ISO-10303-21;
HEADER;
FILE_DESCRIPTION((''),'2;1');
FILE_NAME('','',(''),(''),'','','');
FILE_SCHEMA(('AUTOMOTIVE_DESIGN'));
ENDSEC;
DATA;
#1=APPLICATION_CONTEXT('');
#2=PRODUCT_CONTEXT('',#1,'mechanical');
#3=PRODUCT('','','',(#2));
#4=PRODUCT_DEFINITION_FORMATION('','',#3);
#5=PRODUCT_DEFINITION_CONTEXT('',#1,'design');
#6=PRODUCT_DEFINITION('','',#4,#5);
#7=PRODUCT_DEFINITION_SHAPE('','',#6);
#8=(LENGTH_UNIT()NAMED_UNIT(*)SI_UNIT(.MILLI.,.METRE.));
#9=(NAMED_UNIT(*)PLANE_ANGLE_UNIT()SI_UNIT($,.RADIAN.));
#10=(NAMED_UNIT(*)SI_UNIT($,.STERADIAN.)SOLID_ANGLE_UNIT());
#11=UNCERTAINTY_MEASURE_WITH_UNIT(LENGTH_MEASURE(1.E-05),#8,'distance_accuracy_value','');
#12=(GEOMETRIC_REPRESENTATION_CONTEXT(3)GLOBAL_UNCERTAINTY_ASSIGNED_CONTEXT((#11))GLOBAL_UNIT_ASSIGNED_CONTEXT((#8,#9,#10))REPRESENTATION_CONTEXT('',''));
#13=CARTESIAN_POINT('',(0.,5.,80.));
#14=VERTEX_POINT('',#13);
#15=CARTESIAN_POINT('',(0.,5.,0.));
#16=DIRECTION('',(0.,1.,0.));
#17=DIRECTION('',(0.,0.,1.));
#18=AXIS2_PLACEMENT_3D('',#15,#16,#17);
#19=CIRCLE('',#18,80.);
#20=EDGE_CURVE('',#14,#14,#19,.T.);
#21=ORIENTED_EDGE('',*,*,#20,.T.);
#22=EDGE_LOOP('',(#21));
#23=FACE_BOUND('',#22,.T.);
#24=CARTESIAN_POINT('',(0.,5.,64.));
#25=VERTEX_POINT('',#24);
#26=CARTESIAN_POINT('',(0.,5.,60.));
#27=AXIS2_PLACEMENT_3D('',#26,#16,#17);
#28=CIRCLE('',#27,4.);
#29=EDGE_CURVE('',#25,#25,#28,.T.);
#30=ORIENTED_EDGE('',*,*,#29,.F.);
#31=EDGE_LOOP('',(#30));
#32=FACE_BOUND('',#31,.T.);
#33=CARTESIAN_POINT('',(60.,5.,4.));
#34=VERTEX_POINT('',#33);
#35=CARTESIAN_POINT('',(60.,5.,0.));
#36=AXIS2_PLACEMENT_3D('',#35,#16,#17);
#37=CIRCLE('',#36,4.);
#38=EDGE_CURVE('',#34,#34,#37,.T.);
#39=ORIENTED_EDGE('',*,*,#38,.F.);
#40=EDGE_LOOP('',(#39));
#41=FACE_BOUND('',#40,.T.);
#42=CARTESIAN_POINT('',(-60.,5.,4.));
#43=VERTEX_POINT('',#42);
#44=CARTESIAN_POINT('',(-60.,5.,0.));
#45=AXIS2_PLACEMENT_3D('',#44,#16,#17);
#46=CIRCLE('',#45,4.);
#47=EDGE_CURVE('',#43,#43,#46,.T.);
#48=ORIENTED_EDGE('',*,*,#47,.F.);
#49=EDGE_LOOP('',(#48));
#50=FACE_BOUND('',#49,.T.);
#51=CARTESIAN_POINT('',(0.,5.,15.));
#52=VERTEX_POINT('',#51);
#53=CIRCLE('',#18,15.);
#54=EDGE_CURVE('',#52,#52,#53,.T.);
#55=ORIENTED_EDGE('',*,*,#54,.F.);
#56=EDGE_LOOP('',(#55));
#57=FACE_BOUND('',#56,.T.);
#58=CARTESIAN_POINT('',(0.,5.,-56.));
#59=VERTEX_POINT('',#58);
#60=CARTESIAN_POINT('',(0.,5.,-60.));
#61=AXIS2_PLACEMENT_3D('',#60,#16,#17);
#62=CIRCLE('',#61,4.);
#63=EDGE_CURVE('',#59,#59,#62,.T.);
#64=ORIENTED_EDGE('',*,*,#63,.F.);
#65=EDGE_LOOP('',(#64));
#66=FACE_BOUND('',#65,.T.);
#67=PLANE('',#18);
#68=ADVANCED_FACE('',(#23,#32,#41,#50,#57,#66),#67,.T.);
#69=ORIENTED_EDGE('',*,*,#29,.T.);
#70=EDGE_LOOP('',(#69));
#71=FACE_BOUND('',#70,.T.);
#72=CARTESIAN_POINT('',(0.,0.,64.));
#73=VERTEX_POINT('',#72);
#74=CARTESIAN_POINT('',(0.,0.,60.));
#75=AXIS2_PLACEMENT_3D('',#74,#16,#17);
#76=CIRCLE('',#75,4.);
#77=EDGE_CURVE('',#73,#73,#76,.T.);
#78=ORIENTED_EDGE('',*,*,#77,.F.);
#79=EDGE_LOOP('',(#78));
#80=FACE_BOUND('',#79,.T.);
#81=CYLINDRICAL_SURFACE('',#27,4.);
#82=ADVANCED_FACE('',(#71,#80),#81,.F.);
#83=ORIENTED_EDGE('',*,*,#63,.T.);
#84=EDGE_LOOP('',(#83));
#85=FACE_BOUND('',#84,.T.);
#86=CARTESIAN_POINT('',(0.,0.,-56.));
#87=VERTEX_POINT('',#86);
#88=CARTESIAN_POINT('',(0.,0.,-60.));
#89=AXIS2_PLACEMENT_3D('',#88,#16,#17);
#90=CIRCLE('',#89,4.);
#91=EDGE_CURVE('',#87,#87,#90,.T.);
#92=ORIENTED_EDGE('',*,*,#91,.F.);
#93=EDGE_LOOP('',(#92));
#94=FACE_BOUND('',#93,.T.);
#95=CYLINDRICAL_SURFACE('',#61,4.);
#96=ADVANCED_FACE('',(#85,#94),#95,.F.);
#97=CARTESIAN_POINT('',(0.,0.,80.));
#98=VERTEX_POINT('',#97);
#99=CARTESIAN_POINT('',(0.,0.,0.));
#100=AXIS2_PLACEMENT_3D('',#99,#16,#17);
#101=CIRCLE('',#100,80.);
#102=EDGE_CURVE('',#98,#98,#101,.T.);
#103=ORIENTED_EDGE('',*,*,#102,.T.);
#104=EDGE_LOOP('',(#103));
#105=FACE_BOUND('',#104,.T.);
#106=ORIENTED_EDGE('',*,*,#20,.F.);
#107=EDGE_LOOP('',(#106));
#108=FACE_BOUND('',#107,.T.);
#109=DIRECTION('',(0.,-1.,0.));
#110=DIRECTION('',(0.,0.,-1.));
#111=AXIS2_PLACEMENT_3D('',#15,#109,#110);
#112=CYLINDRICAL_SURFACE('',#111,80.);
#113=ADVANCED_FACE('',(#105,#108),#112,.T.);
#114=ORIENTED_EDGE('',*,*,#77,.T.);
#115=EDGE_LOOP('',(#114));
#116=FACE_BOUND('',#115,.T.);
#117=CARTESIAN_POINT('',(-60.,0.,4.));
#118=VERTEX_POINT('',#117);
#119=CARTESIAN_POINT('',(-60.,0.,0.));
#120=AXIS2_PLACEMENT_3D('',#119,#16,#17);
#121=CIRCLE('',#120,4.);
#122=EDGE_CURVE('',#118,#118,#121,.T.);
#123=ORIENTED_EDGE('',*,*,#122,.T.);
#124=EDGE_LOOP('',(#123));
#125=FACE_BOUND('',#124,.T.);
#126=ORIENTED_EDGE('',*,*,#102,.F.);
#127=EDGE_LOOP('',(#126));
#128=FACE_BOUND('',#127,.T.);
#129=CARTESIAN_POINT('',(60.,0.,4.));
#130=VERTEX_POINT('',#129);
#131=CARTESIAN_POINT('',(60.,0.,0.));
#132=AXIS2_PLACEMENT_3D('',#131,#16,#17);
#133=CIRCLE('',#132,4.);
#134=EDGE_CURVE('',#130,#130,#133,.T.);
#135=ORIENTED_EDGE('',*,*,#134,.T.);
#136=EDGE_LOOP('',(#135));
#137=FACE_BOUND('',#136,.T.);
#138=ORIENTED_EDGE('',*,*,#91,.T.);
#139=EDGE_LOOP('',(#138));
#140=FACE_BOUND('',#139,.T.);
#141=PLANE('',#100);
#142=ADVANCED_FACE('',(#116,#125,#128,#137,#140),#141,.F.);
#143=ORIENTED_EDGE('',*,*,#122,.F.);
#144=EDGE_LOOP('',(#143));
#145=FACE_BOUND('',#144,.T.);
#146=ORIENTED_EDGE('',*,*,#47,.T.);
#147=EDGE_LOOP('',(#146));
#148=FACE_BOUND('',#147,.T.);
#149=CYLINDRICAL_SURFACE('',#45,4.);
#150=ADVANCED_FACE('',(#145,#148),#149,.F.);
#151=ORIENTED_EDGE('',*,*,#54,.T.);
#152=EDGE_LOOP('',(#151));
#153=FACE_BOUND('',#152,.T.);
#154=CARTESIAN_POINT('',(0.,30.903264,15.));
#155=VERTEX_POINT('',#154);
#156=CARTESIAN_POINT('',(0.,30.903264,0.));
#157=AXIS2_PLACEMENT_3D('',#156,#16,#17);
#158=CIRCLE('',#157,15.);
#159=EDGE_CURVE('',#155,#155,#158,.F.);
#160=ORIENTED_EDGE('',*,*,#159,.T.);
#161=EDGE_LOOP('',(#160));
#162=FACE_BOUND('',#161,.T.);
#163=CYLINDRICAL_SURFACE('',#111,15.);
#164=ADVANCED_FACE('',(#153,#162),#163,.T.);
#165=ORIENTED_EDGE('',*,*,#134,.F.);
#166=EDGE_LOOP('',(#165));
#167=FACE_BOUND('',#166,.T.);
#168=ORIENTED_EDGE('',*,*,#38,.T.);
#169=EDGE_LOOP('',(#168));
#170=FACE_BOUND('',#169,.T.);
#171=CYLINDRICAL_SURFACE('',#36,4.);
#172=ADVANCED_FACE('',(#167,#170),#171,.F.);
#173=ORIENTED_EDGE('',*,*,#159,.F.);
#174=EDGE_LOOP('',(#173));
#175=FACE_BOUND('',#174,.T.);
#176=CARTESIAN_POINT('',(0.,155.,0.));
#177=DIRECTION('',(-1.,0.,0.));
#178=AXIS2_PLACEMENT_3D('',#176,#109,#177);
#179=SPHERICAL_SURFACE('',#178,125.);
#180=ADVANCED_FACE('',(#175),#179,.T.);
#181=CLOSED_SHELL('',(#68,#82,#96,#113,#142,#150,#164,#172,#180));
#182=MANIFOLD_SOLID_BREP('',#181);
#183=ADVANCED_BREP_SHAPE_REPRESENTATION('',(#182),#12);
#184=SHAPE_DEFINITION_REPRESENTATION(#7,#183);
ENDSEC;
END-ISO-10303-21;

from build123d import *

# Parameters (mm, degrees)
SKETCH_1_R      = 80
EXTRUDE_1_DEPTH = 5
MM_1_D          = 8
MM_1_DEPTH      = 20
MM_1_TIP        = 2.403442476
SKETCH_4_W      = 15
SKETCH_4_H      = 30


with BuildPart() as part:
    # 草图1 → 凸台-拉伸1 (new body)
    with BuildSketch(Plane(origin=(0, 0, 0), x_dir=(1, 0, 0), z_dir=(0, 1, 0))):
        with Locations(Location((0, 0, 0), (0, 0, 270))):
            Circle(SKETCH_1_R)
    extrude(amount=EXTRUDE_1_DEPTH)

    # 大小mm 暗销孔1
    with Locations(Plane(origin=(0, 5, -60), x_dir=(0, 0, 1), z_dir=(0, 1, 0))):
        with Locations((0, 0), (60, -60), (60, 60), (120, 0)):
            Hole(MM_1_D / 2, depth=MM_1_DEPTH)
            with Locations((0, 0, -(MM_1_DEPTH + MM_1_TIP / 2))):  # 118° drill point
                Cone(0, MM_1_D / 2, MM_1_TIP, mode=Mode.SUBTRACT)

    # 草图4 → 旋转1 (revolve)
    with BuildSketch(Plane.XY, mode=Mode.PRIVATE) as revolve_1_sk:
        with Locations((7.5, 20)):
            Rectangle(SKETCH_4_W, SKETCH_4_H)
    revolve(revolve_1_sk.sketch.rotate(Axis((0, 5, 0), (0, 1, 0)), 90), axis=Axis((0, 5, 0), (0, 1, 0)))

    # 草图5 → 旋转2 (revolve)
    with BuildSketch(Plane.XY):
        with BuildLine():
            Line((0, 35), (0, 30))
            ThreePointArc((0, 30), (-125, 155), (0, 280))
            Line((0, 280), (0, 35))
        make_face()
    revolve(axis=Axis((0, 35, 0), (0, 1, 0)))


solid = part.part
